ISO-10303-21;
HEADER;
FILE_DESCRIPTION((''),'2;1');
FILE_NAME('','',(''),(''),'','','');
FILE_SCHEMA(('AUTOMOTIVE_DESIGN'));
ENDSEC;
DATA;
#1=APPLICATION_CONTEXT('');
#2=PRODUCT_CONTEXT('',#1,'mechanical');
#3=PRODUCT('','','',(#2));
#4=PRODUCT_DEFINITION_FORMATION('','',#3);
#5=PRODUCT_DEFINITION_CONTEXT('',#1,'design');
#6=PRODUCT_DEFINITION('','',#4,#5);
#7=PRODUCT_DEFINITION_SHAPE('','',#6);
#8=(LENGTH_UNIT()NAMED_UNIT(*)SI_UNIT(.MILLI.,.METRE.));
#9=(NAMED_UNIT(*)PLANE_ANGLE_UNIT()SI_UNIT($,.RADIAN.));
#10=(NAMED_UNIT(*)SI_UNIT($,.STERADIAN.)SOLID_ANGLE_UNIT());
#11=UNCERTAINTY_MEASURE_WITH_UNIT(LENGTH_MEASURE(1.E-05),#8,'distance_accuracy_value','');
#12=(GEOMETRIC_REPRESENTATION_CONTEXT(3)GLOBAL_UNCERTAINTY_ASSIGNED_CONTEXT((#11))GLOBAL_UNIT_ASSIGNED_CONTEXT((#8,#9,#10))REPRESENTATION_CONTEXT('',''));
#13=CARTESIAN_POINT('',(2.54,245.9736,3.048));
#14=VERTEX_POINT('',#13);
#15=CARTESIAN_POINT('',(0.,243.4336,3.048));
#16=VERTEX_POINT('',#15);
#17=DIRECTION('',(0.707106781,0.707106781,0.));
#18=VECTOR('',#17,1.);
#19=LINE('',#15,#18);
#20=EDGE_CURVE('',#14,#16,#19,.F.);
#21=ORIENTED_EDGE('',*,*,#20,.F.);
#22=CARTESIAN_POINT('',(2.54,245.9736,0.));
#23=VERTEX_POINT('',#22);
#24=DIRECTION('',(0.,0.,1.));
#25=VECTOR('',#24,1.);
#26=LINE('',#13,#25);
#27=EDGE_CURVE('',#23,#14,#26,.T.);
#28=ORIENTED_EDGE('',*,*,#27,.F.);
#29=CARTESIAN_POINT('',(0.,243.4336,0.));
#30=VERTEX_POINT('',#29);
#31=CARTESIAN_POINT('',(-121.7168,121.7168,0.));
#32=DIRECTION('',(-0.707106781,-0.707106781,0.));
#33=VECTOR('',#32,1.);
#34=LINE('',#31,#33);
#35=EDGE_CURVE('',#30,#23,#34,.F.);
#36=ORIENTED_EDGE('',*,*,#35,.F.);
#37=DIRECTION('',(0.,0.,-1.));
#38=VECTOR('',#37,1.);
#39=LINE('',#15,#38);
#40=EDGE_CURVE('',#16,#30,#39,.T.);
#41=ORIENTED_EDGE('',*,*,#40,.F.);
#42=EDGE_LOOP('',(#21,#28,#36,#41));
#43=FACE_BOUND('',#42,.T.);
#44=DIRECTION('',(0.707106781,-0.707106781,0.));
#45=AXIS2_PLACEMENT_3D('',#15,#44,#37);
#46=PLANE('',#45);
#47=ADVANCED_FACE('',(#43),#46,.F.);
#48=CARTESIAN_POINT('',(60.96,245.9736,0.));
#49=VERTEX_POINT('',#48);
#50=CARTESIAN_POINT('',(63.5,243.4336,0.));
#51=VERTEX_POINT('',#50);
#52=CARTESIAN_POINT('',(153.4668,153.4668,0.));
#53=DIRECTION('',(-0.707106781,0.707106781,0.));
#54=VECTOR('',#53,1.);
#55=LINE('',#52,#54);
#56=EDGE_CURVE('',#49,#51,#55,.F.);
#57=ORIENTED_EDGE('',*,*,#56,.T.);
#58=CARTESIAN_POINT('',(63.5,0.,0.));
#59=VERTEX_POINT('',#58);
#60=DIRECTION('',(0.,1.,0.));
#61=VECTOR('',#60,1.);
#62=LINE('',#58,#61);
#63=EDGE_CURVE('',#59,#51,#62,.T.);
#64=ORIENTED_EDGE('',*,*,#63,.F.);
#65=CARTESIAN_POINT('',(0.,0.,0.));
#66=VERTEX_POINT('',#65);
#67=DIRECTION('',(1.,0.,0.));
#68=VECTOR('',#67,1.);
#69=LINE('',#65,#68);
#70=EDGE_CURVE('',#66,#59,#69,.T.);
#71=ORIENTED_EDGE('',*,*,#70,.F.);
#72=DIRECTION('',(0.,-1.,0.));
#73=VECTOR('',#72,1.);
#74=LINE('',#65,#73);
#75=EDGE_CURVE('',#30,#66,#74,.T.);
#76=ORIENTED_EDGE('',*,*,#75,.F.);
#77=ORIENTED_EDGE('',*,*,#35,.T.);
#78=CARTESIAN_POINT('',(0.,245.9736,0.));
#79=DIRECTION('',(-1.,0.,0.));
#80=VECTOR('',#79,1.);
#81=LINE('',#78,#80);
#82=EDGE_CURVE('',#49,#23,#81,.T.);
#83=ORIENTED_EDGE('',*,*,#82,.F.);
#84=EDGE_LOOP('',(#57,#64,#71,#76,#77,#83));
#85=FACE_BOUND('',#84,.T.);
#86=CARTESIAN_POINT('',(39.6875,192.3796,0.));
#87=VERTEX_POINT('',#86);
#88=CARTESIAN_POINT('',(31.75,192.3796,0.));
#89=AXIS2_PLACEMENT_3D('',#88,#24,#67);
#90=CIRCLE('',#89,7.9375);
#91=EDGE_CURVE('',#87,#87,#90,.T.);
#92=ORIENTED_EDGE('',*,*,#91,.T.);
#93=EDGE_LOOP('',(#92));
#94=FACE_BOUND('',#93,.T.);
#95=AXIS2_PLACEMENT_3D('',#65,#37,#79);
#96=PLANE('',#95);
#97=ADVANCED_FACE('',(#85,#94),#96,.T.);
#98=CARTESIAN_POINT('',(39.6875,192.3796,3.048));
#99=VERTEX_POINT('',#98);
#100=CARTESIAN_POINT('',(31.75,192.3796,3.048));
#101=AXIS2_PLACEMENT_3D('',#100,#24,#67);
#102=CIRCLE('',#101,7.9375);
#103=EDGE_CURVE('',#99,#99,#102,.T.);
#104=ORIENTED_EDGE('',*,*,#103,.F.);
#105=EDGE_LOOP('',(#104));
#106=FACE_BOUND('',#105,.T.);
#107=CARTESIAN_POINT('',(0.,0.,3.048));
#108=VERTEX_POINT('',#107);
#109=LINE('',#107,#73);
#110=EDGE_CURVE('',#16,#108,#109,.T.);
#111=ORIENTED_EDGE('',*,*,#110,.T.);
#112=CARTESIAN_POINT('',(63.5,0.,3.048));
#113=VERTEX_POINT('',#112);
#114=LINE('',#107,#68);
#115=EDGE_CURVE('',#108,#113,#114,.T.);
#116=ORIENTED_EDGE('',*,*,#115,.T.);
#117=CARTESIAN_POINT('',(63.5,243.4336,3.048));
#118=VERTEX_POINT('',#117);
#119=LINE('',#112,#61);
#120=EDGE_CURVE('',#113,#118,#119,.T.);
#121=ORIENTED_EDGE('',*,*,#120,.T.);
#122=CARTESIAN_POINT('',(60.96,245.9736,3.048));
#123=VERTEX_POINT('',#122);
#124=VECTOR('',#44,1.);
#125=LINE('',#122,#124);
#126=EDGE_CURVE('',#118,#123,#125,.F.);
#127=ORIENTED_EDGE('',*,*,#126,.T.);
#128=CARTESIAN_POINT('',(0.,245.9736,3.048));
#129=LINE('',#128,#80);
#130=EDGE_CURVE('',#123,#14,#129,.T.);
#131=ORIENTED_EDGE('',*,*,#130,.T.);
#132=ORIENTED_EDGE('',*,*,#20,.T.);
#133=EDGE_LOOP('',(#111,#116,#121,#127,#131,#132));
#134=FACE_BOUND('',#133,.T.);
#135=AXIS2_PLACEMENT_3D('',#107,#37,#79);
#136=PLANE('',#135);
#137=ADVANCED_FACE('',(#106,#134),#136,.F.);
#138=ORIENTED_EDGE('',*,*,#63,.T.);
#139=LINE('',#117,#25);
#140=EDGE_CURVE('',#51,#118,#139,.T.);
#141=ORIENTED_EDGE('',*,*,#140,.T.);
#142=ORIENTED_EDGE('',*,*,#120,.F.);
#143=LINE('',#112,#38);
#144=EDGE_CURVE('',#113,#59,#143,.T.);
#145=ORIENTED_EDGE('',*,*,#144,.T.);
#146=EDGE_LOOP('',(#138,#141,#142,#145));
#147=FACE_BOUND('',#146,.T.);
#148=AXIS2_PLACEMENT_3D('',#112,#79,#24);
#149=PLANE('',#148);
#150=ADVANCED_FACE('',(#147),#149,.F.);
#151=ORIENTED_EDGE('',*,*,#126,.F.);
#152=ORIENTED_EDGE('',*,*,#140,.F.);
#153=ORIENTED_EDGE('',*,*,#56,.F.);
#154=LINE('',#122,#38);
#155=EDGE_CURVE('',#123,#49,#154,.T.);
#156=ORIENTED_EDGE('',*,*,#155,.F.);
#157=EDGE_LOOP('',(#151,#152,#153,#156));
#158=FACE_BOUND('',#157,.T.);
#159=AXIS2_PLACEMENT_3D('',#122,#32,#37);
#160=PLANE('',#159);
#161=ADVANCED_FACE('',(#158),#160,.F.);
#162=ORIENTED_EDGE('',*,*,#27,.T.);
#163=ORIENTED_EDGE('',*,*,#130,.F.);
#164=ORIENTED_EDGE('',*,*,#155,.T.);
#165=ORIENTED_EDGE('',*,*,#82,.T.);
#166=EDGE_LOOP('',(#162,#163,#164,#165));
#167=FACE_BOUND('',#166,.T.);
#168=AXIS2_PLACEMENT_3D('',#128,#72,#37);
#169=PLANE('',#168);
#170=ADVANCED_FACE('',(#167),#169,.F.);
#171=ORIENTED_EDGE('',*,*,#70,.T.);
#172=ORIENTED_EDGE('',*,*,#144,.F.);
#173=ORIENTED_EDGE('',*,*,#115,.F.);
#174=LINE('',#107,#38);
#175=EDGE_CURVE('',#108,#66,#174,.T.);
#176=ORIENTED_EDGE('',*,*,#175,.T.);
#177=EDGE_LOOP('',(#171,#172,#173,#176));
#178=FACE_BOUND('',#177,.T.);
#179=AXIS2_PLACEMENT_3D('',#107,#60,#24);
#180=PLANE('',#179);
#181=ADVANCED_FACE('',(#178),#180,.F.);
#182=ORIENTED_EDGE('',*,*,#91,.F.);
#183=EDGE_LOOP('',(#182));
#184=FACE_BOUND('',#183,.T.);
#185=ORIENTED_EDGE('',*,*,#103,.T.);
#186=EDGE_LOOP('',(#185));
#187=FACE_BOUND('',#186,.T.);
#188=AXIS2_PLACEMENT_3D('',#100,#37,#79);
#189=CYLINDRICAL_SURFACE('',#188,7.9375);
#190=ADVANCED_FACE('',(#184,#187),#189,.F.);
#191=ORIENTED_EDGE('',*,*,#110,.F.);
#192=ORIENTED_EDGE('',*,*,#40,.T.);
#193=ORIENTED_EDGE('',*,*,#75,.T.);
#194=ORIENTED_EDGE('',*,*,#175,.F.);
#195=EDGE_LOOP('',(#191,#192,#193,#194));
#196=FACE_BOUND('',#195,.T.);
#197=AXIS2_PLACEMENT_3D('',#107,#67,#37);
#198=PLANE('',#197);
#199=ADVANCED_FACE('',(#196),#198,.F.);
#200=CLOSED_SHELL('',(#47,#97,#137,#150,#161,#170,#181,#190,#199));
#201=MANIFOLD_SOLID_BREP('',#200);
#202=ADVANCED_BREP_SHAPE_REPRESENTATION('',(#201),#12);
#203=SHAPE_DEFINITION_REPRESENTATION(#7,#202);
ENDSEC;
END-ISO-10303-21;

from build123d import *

# Parameters (mm, degrees)
SKETCH1_W           = 63.5
SKETCH1_H           = 245.9736
SKETCH1_R           = 7.9375
BOSS_EXTRUDE1_DEPTH = 3.048
CHAMFER1_SIZE       = 2.54


with BuildPart() as part:
    # Sketch1 → Boss-Extrude1 (new body)
    with BuildSketch(Plane.XY):
        with Locations((31.75, 122.9868)):
            Rectangle(SKETCH1_W, SKETCH1_H)
        with Locations((31.75, 192.3796)):
            Circle(SKETCH1_R, mode=Mode.SUBTRACT)
    extrude(amount=BOSS_EXTRUDE1_DEPTH)

    # Chamfer1
    chamfer1_edges = [part.edges().sort_by_distance(p)[0] for p in [
        (0, 245.9736, 1.524),
        (63.5, 245.9736, 1.524),
    ]]
    chamfer(chamfer1_edges, length=CHAMFER1_SIZE)


solid = part.part
